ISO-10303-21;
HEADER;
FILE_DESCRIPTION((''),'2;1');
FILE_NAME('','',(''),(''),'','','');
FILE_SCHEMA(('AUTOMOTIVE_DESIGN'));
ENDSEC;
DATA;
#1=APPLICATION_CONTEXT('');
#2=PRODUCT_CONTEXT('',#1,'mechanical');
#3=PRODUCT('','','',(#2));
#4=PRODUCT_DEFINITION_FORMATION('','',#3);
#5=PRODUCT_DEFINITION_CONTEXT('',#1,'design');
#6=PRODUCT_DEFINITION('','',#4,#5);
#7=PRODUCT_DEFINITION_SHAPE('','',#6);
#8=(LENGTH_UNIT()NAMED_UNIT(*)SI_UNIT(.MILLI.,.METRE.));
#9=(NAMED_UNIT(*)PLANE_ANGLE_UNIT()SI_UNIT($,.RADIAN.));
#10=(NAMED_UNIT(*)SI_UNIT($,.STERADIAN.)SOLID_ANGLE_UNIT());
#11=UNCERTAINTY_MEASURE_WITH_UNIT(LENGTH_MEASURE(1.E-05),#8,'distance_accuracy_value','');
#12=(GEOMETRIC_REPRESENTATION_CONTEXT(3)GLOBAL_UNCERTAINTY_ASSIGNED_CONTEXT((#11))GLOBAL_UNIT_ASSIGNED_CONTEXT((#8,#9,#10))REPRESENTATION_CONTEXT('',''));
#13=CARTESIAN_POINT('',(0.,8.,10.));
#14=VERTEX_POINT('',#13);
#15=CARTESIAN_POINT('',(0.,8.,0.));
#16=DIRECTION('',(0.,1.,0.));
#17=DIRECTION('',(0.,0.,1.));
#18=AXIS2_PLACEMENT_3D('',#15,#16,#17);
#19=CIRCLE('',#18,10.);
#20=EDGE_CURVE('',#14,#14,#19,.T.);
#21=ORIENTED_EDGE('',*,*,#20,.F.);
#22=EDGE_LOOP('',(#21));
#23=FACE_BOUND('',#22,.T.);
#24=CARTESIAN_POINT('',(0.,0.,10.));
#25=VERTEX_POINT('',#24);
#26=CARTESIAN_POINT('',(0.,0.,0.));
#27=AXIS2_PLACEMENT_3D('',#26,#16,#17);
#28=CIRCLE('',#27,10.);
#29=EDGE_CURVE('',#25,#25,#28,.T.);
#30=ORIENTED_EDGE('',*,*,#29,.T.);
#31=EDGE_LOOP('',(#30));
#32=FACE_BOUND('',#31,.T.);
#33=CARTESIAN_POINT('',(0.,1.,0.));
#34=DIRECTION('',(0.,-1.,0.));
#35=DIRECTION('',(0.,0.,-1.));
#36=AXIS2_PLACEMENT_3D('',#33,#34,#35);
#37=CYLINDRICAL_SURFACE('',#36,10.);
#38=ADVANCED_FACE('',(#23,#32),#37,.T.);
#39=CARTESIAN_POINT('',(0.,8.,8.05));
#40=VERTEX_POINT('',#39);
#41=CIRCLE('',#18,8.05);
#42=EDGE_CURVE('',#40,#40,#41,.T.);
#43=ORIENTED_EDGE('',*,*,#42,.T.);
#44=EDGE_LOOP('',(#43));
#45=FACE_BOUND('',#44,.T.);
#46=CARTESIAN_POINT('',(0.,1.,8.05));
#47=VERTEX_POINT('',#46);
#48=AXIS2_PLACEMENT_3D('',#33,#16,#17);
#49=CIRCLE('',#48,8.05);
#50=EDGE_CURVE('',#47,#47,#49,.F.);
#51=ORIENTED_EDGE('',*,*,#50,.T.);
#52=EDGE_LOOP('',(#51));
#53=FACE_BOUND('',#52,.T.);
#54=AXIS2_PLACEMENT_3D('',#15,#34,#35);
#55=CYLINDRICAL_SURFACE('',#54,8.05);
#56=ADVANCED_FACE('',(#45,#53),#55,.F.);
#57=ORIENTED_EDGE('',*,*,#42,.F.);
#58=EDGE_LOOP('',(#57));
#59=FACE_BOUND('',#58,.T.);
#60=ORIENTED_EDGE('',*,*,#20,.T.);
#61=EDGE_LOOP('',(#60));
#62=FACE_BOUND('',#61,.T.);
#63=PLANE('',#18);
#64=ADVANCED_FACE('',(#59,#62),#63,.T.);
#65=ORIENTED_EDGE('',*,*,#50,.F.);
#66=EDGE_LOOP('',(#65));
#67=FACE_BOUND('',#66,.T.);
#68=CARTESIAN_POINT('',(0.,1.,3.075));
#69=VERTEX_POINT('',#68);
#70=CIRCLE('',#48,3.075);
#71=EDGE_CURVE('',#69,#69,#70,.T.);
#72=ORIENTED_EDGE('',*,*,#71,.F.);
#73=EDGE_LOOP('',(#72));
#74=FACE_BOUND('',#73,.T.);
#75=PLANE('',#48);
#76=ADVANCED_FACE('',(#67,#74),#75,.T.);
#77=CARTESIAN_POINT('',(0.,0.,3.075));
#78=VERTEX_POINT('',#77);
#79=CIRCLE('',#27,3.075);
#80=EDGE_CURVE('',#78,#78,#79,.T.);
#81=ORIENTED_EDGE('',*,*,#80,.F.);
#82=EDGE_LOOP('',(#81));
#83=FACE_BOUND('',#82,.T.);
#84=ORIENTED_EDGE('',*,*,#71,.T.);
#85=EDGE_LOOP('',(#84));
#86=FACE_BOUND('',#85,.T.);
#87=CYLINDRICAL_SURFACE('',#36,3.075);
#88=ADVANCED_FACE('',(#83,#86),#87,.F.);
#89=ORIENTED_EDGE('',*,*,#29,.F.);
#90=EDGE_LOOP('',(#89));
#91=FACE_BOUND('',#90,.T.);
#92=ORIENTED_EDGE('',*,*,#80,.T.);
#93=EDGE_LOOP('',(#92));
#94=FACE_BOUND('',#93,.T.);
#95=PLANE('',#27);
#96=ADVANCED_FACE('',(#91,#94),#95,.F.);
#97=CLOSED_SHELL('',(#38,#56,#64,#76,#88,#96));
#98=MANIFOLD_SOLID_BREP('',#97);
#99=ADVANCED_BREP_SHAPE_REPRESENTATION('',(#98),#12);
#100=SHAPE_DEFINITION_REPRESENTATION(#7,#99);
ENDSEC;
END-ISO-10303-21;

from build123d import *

# Parameters (mm, degrees)
ESQUISSE1_R        = 10
ESQUISSE1_R_2      = 8.05
ESQUISSE1_R_3      = 3.075
BOSS_EXTRU_2_DEPTH = 1
ESQUISSE2_R        = 10
ESQUISSE2_R_2      = 8.05
BOSS_EXTRU_3_DEPTH = 7


with BuildPart() as part:
    # Esquisse1 → Boss.-Extru.2 (new body)
    with BuildSketch(Plane(origin=(0, 0, 0), x_dir=(1, 0, 0), z_dir=(0, 1, 0))):
        Circle(ESQUISSE1_R)
        Circle(ESQUISSE1_R_2, mode=Mode.SUBTRACT)
        Circle(ESQUISSE1_R_2)
        Circle(ESQUISSE1_R_3, mode=Mode.SUBTRACT)
    extrude(amount=BOSS_EXTRU_2_DEPTH)

    # Esquisse2 → Boss.-Extru.3 (add)
    with BuildSketch(Plane(origin=(0, 1, 0), x_dir=(1, 0, 0), z_dir=(0, 1, 0))):
        Circle(ESQUISSE2_R)
        Circle(ESQUISSE2_R_2, mode=Mode.SUBTRACT)
    extrude(amount=BOSS_EXTRU_3_DEPTH)


solid = part.part
